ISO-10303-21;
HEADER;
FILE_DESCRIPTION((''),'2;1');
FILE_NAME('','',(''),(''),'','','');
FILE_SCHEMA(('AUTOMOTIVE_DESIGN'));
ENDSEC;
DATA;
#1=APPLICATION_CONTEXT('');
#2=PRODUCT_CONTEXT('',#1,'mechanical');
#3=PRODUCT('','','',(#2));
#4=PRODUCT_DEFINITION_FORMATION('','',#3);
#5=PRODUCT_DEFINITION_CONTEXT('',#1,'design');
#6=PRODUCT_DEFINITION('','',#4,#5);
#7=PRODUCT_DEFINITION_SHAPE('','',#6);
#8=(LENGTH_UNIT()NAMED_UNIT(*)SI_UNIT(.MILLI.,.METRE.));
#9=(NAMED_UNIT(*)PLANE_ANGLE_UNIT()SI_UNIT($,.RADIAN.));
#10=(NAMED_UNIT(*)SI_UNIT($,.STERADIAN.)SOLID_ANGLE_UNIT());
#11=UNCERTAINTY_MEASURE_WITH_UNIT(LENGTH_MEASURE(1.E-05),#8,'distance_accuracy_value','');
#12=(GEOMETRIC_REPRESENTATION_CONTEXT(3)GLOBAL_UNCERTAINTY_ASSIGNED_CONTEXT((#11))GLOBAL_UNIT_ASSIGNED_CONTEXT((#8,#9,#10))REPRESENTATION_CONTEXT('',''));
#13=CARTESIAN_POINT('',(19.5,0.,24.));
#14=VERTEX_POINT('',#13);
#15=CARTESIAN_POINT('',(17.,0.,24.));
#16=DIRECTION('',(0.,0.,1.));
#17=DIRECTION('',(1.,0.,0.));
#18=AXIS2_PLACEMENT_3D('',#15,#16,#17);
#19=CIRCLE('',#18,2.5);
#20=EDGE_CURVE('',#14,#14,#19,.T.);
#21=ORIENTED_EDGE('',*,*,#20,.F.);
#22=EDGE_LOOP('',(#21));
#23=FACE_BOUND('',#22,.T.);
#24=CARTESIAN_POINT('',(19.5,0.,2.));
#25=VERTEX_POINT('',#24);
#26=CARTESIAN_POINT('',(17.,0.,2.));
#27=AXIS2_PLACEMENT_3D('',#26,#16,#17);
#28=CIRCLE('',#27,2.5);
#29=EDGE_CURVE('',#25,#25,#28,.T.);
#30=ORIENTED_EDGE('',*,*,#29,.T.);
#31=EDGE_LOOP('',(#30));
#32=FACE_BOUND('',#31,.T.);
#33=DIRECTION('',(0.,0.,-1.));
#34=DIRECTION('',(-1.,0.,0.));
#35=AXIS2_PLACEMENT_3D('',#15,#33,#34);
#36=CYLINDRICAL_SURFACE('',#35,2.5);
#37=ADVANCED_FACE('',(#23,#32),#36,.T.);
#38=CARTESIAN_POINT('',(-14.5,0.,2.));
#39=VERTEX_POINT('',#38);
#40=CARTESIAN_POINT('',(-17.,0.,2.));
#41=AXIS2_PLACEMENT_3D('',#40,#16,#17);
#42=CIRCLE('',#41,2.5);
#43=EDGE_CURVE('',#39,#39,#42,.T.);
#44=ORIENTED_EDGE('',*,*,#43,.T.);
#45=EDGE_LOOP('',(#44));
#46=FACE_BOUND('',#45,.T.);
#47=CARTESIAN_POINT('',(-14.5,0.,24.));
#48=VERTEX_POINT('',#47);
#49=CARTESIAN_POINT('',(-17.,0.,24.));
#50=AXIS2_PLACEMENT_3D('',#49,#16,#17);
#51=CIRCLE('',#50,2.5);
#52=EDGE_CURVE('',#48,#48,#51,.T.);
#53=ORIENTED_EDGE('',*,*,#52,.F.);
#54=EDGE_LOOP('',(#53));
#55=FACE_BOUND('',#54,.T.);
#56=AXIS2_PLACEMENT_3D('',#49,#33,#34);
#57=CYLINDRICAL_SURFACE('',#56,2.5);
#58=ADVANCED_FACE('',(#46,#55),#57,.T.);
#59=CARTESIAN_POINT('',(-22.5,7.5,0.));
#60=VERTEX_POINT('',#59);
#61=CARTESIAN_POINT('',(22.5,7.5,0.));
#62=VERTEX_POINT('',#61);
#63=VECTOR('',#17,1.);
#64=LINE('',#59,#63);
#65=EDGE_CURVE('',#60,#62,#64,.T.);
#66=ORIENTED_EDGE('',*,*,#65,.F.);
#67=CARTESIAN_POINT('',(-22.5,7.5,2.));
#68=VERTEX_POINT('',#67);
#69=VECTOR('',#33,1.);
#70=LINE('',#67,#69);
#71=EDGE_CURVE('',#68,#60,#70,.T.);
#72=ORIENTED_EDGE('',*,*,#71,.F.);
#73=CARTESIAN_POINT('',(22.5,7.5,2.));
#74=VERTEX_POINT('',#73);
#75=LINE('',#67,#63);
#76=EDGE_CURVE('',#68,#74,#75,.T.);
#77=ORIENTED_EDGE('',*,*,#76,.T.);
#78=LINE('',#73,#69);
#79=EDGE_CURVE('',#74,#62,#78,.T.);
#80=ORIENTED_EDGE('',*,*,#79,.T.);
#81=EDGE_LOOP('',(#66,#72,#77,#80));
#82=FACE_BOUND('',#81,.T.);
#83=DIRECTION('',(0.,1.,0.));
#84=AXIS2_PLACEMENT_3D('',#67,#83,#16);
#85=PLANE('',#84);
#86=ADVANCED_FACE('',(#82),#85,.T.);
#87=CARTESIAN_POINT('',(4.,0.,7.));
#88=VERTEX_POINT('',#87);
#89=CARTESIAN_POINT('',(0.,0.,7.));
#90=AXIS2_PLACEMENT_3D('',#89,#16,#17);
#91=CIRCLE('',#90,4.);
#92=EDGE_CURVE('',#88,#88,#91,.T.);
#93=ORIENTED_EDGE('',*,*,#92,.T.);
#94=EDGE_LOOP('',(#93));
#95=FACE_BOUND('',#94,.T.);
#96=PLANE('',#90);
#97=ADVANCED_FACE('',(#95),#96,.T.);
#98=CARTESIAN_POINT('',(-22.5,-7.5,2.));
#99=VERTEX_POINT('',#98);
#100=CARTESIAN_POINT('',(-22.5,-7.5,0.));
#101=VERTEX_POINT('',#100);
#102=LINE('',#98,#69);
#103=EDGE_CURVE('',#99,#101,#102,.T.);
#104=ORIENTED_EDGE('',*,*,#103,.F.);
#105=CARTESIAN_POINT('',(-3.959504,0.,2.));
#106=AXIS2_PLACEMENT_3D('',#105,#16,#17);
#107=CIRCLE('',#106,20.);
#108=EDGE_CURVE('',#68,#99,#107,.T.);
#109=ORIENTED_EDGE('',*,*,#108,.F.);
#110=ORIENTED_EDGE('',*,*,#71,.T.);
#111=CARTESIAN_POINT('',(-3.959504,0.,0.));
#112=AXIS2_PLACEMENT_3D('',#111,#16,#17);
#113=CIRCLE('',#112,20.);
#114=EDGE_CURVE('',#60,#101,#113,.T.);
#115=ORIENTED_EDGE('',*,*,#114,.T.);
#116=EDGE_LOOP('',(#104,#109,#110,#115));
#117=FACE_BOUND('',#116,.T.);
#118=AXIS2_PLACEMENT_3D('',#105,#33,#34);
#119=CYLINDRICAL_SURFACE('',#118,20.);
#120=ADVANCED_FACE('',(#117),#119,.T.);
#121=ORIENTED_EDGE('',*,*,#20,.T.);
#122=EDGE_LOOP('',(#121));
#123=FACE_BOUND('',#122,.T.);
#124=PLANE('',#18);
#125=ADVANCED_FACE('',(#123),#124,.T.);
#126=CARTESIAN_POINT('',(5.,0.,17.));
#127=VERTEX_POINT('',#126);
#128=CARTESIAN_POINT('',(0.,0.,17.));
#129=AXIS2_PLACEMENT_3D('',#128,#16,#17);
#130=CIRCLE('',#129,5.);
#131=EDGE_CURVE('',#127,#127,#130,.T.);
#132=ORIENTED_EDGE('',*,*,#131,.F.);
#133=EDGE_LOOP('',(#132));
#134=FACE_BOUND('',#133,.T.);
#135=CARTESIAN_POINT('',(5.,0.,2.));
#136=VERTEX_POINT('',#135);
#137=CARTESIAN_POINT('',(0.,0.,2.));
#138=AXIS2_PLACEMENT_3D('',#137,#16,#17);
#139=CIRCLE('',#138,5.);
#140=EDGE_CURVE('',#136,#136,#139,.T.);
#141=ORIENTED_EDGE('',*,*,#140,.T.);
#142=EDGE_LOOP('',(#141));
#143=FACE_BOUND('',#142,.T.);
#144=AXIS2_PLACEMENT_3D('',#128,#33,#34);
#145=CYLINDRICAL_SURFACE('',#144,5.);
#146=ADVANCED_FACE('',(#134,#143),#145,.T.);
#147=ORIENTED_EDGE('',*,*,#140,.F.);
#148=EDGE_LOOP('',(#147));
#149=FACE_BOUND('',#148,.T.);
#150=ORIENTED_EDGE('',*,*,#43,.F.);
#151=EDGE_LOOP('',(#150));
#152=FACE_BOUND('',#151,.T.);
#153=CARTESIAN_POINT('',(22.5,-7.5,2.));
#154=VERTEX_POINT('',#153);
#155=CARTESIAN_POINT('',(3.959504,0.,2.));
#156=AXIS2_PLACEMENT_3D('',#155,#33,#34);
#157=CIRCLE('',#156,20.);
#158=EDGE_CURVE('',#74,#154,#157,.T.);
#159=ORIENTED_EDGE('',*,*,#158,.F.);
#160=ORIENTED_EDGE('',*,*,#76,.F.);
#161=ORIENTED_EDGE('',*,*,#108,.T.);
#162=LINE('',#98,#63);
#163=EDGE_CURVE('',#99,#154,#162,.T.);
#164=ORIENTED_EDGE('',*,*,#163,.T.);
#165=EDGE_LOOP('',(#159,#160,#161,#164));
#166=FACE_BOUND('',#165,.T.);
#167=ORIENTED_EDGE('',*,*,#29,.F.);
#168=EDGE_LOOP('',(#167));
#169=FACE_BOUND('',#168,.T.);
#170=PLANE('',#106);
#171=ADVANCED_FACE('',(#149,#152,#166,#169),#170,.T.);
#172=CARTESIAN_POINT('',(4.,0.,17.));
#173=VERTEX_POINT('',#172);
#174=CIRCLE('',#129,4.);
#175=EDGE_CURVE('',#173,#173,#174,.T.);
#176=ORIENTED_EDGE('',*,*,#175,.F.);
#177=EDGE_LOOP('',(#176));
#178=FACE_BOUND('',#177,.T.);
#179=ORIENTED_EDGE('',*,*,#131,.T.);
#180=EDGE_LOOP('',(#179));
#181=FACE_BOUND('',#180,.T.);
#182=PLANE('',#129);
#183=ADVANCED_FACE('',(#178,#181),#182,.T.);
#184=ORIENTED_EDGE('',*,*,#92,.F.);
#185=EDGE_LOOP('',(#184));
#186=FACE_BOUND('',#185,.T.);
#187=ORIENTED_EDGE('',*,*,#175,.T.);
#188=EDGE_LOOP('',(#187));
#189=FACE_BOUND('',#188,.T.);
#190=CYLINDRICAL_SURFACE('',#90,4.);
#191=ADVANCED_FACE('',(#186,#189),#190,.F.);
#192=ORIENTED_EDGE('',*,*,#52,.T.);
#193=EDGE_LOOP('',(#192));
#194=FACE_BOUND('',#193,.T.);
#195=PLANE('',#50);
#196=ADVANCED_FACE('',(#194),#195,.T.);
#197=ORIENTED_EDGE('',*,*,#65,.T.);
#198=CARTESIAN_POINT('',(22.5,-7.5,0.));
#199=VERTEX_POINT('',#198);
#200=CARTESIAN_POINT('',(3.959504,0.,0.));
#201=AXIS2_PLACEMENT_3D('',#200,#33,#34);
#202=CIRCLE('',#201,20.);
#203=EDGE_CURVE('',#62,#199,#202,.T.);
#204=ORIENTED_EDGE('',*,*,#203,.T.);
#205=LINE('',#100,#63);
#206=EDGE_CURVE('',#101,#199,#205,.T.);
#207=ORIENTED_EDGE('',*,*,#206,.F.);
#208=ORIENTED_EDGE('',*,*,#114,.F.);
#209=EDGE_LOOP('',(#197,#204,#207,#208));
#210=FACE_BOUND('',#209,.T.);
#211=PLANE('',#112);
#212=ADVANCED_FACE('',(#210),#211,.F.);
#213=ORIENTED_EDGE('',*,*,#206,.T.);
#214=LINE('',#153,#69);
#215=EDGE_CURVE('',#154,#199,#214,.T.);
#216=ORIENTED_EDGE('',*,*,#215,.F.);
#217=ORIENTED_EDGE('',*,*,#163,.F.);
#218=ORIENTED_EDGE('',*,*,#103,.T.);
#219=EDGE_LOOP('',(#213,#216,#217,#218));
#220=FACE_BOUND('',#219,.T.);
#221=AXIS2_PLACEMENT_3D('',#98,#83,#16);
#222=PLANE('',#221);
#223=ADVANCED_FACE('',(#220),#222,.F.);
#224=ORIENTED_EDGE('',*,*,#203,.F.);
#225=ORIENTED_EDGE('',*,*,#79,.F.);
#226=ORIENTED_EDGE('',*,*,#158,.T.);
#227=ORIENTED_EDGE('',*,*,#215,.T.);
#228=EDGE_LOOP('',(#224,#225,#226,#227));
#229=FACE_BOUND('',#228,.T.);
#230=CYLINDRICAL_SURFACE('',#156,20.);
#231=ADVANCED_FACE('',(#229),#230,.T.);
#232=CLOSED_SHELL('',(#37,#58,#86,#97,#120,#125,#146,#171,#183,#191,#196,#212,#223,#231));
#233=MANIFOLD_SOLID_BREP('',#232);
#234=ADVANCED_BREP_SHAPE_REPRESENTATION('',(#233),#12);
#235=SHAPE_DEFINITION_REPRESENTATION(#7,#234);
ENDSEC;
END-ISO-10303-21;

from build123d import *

# Parameters (mm, degrees)
BOSS_EXTRUDE1_DEPTH = 2
SKETCH2_R           = 5
BOSS_EXTRUDE2_DEPTH = 15
SKETCH4_R           = 4
CUT_EXTRUDE1_DEPTH  = 10
SKETCH5_R           = 2.5
BOSS_EXTRUDE3_DEPTH = 22


with BuildPart() as part:
    # Sketch1 → Boss-Extrude1 (new body)
    with BuildSketch(Plane.XY):
        with BuildLine():
            Line((-22.5, -7.5), (22.5, -7.5))
            ThreePointArc((22.5, -7.5), (23.959503782, 0), (22.5, 7.5))
            Line((22.5, 7.5), (-22.5, 7.5))
            ThreePointArc((-22.5, 7.5), (-23.959503782, 0), (-22.5, -7.5))
        make_face()
    extrude(amount=BOSS_EXTRUDE1_DEPTH)

    # Sketch2 → Boss-Extrude2 (add)
    with BuildSketch(Plane.XY.offset(2)):
        Circle(SKETCH2_R)
    extrude(amount=BOSS_EXTRUDE2_DEPTH)

    # Sketch4 → Cut-Extrude1 (cut)
    with BuildSketch(Plane.XY.offset(17)):
        Circle(SKETCH4_R)
    extrude(amount=-CUT_EXTRUDE1_DEPTH, mode=Mode.SUBTRACT)

    # Sketch5 → Boss-Extrude3 (add)
    with BuildSketch(Plane.XY.offset(2)):
        with Locations((-17, 0)):
            Circle(SKETCH5_R)
        with Locations((17, 0)):
            Circle(SKETCH5_R)
    extrude(amount=BOSS_EXTRUDE3_DEPTH)


solid = part.part
